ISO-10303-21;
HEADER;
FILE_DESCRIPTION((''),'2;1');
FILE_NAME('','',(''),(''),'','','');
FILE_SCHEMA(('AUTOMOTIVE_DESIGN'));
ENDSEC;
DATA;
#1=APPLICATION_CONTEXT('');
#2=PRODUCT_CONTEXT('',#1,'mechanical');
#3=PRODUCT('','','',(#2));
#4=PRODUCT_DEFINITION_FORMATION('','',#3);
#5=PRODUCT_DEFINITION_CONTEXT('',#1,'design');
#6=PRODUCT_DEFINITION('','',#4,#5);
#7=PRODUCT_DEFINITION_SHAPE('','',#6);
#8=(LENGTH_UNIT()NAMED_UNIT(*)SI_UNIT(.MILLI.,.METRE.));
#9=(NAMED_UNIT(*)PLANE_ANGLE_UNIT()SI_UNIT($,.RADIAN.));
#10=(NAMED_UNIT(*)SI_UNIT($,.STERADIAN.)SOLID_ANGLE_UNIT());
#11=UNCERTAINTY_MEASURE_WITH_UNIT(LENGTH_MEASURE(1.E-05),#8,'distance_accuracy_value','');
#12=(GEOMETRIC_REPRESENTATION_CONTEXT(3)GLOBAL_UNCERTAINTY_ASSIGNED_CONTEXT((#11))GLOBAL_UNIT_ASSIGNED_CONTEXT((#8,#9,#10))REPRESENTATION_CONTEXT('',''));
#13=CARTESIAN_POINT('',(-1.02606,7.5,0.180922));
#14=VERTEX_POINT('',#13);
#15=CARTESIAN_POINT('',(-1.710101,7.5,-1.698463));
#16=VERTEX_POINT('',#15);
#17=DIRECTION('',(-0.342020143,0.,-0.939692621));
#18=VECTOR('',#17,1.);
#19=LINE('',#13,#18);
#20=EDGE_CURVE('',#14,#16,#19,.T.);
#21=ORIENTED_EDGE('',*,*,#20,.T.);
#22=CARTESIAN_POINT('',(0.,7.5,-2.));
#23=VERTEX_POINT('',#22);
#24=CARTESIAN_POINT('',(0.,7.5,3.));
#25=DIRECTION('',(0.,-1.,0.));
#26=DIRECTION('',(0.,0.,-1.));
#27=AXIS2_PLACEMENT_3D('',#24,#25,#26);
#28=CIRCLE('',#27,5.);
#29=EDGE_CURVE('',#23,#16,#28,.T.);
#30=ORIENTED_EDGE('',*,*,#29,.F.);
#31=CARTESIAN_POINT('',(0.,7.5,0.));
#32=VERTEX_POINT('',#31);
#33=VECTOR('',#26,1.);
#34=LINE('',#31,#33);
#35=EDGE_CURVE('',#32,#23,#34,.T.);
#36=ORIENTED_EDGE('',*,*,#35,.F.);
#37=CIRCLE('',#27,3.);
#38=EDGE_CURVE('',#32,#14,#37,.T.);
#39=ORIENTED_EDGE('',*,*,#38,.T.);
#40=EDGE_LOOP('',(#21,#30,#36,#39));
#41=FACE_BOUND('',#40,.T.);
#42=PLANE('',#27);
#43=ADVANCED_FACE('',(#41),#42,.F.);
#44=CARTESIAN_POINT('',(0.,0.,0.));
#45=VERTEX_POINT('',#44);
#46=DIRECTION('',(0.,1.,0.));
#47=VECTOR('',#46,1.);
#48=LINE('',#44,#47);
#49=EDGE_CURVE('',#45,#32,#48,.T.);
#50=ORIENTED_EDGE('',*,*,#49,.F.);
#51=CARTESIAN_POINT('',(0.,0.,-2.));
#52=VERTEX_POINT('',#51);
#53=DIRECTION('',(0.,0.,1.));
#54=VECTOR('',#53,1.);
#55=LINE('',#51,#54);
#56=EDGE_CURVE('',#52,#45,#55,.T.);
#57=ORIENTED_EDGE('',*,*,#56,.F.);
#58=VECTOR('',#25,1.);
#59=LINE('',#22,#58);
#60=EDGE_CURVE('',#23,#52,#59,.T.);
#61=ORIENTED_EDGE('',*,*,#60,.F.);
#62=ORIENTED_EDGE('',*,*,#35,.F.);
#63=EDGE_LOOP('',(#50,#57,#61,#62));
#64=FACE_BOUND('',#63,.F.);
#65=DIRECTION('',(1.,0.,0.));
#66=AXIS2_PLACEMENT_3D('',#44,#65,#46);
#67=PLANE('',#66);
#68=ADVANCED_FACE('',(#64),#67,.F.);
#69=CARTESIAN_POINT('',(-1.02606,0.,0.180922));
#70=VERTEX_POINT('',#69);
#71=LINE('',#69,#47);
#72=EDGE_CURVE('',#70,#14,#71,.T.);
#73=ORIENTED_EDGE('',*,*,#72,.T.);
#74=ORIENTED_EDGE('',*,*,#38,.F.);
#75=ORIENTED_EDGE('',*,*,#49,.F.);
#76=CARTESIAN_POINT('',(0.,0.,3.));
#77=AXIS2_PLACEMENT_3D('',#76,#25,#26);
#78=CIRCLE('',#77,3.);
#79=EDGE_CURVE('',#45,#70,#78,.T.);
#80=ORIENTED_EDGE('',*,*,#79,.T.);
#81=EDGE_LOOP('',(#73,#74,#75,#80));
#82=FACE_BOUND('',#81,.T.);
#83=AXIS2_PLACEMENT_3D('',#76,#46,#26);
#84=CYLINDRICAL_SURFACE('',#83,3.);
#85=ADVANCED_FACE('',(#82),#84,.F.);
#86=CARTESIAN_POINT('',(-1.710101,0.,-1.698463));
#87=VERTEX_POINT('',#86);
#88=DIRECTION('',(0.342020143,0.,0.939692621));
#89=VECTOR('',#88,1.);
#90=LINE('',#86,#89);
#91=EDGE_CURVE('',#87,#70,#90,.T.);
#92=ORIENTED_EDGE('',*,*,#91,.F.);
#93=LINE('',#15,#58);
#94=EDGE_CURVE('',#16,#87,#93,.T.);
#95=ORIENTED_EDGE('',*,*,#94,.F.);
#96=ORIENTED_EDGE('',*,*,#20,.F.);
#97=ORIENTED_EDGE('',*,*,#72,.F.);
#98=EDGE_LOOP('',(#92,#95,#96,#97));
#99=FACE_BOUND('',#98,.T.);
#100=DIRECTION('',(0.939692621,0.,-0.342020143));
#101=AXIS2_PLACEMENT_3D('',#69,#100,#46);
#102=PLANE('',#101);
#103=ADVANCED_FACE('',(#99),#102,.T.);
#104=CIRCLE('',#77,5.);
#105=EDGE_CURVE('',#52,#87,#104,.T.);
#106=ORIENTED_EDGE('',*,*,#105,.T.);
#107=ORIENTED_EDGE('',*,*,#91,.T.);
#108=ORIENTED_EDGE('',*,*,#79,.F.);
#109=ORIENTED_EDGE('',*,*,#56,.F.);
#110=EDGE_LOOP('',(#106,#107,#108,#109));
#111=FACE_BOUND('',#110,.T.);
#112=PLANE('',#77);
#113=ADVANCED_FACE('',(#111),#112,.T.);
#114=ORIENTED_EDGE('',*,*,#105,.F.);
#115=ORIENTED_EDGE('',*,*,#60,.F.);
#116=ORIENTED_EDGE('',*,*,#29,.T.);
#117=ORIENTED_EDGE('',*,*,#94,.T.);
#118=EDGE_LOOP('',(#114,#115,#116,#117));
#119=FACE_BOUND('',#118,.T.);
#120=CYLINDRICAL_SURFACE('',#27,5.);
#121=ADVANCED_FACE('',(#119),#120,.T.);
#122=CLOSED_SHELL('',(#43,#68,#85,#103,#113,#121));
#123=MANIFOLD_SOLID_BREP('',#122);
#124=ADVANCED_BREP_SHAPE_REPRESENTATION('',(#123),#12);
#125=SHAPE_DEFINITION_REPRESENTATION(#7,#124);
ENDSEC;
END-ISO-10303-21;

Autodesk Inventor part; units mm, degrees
ref_plane "YZ Plane" through (0, 0, 0) normal (1, 0, 0) x (0, 1, 0)
ref_plane "XZ Plane" through (0, 0, 0) normal (0, 1, 0) x (-1, 0, 0)
ref_plane "XY Plane" through (0, 0, 0) normal (0, 0, 1) x (1, 0, 0)
sketch "Sketch1" plane through (0, 0, 0) normal (1, 0, 0) x (0, 1, 0)
  line L0 (0, 0) -> (7.5, 0)
  line L1 (7.5, 0) -> (7.5, -2)
  line L2 (7.5, -2) -> (0, -2)
  line L3 (0, -2) -> (0, 0)
  line L4 (7.5, 3) -> (0, 3)
  dimension "d0" = 2
  dimension "d1" = 7.5
  dimension "d2" = 7.5
  dimension "d3" = 3
  dimension "d4" = 0
revolve "Revolution1" add sketch "Sketch1" angle 340 about axis through (0, 7.5, 3) along (0, -1, 0)
properties part number "Clamp"
